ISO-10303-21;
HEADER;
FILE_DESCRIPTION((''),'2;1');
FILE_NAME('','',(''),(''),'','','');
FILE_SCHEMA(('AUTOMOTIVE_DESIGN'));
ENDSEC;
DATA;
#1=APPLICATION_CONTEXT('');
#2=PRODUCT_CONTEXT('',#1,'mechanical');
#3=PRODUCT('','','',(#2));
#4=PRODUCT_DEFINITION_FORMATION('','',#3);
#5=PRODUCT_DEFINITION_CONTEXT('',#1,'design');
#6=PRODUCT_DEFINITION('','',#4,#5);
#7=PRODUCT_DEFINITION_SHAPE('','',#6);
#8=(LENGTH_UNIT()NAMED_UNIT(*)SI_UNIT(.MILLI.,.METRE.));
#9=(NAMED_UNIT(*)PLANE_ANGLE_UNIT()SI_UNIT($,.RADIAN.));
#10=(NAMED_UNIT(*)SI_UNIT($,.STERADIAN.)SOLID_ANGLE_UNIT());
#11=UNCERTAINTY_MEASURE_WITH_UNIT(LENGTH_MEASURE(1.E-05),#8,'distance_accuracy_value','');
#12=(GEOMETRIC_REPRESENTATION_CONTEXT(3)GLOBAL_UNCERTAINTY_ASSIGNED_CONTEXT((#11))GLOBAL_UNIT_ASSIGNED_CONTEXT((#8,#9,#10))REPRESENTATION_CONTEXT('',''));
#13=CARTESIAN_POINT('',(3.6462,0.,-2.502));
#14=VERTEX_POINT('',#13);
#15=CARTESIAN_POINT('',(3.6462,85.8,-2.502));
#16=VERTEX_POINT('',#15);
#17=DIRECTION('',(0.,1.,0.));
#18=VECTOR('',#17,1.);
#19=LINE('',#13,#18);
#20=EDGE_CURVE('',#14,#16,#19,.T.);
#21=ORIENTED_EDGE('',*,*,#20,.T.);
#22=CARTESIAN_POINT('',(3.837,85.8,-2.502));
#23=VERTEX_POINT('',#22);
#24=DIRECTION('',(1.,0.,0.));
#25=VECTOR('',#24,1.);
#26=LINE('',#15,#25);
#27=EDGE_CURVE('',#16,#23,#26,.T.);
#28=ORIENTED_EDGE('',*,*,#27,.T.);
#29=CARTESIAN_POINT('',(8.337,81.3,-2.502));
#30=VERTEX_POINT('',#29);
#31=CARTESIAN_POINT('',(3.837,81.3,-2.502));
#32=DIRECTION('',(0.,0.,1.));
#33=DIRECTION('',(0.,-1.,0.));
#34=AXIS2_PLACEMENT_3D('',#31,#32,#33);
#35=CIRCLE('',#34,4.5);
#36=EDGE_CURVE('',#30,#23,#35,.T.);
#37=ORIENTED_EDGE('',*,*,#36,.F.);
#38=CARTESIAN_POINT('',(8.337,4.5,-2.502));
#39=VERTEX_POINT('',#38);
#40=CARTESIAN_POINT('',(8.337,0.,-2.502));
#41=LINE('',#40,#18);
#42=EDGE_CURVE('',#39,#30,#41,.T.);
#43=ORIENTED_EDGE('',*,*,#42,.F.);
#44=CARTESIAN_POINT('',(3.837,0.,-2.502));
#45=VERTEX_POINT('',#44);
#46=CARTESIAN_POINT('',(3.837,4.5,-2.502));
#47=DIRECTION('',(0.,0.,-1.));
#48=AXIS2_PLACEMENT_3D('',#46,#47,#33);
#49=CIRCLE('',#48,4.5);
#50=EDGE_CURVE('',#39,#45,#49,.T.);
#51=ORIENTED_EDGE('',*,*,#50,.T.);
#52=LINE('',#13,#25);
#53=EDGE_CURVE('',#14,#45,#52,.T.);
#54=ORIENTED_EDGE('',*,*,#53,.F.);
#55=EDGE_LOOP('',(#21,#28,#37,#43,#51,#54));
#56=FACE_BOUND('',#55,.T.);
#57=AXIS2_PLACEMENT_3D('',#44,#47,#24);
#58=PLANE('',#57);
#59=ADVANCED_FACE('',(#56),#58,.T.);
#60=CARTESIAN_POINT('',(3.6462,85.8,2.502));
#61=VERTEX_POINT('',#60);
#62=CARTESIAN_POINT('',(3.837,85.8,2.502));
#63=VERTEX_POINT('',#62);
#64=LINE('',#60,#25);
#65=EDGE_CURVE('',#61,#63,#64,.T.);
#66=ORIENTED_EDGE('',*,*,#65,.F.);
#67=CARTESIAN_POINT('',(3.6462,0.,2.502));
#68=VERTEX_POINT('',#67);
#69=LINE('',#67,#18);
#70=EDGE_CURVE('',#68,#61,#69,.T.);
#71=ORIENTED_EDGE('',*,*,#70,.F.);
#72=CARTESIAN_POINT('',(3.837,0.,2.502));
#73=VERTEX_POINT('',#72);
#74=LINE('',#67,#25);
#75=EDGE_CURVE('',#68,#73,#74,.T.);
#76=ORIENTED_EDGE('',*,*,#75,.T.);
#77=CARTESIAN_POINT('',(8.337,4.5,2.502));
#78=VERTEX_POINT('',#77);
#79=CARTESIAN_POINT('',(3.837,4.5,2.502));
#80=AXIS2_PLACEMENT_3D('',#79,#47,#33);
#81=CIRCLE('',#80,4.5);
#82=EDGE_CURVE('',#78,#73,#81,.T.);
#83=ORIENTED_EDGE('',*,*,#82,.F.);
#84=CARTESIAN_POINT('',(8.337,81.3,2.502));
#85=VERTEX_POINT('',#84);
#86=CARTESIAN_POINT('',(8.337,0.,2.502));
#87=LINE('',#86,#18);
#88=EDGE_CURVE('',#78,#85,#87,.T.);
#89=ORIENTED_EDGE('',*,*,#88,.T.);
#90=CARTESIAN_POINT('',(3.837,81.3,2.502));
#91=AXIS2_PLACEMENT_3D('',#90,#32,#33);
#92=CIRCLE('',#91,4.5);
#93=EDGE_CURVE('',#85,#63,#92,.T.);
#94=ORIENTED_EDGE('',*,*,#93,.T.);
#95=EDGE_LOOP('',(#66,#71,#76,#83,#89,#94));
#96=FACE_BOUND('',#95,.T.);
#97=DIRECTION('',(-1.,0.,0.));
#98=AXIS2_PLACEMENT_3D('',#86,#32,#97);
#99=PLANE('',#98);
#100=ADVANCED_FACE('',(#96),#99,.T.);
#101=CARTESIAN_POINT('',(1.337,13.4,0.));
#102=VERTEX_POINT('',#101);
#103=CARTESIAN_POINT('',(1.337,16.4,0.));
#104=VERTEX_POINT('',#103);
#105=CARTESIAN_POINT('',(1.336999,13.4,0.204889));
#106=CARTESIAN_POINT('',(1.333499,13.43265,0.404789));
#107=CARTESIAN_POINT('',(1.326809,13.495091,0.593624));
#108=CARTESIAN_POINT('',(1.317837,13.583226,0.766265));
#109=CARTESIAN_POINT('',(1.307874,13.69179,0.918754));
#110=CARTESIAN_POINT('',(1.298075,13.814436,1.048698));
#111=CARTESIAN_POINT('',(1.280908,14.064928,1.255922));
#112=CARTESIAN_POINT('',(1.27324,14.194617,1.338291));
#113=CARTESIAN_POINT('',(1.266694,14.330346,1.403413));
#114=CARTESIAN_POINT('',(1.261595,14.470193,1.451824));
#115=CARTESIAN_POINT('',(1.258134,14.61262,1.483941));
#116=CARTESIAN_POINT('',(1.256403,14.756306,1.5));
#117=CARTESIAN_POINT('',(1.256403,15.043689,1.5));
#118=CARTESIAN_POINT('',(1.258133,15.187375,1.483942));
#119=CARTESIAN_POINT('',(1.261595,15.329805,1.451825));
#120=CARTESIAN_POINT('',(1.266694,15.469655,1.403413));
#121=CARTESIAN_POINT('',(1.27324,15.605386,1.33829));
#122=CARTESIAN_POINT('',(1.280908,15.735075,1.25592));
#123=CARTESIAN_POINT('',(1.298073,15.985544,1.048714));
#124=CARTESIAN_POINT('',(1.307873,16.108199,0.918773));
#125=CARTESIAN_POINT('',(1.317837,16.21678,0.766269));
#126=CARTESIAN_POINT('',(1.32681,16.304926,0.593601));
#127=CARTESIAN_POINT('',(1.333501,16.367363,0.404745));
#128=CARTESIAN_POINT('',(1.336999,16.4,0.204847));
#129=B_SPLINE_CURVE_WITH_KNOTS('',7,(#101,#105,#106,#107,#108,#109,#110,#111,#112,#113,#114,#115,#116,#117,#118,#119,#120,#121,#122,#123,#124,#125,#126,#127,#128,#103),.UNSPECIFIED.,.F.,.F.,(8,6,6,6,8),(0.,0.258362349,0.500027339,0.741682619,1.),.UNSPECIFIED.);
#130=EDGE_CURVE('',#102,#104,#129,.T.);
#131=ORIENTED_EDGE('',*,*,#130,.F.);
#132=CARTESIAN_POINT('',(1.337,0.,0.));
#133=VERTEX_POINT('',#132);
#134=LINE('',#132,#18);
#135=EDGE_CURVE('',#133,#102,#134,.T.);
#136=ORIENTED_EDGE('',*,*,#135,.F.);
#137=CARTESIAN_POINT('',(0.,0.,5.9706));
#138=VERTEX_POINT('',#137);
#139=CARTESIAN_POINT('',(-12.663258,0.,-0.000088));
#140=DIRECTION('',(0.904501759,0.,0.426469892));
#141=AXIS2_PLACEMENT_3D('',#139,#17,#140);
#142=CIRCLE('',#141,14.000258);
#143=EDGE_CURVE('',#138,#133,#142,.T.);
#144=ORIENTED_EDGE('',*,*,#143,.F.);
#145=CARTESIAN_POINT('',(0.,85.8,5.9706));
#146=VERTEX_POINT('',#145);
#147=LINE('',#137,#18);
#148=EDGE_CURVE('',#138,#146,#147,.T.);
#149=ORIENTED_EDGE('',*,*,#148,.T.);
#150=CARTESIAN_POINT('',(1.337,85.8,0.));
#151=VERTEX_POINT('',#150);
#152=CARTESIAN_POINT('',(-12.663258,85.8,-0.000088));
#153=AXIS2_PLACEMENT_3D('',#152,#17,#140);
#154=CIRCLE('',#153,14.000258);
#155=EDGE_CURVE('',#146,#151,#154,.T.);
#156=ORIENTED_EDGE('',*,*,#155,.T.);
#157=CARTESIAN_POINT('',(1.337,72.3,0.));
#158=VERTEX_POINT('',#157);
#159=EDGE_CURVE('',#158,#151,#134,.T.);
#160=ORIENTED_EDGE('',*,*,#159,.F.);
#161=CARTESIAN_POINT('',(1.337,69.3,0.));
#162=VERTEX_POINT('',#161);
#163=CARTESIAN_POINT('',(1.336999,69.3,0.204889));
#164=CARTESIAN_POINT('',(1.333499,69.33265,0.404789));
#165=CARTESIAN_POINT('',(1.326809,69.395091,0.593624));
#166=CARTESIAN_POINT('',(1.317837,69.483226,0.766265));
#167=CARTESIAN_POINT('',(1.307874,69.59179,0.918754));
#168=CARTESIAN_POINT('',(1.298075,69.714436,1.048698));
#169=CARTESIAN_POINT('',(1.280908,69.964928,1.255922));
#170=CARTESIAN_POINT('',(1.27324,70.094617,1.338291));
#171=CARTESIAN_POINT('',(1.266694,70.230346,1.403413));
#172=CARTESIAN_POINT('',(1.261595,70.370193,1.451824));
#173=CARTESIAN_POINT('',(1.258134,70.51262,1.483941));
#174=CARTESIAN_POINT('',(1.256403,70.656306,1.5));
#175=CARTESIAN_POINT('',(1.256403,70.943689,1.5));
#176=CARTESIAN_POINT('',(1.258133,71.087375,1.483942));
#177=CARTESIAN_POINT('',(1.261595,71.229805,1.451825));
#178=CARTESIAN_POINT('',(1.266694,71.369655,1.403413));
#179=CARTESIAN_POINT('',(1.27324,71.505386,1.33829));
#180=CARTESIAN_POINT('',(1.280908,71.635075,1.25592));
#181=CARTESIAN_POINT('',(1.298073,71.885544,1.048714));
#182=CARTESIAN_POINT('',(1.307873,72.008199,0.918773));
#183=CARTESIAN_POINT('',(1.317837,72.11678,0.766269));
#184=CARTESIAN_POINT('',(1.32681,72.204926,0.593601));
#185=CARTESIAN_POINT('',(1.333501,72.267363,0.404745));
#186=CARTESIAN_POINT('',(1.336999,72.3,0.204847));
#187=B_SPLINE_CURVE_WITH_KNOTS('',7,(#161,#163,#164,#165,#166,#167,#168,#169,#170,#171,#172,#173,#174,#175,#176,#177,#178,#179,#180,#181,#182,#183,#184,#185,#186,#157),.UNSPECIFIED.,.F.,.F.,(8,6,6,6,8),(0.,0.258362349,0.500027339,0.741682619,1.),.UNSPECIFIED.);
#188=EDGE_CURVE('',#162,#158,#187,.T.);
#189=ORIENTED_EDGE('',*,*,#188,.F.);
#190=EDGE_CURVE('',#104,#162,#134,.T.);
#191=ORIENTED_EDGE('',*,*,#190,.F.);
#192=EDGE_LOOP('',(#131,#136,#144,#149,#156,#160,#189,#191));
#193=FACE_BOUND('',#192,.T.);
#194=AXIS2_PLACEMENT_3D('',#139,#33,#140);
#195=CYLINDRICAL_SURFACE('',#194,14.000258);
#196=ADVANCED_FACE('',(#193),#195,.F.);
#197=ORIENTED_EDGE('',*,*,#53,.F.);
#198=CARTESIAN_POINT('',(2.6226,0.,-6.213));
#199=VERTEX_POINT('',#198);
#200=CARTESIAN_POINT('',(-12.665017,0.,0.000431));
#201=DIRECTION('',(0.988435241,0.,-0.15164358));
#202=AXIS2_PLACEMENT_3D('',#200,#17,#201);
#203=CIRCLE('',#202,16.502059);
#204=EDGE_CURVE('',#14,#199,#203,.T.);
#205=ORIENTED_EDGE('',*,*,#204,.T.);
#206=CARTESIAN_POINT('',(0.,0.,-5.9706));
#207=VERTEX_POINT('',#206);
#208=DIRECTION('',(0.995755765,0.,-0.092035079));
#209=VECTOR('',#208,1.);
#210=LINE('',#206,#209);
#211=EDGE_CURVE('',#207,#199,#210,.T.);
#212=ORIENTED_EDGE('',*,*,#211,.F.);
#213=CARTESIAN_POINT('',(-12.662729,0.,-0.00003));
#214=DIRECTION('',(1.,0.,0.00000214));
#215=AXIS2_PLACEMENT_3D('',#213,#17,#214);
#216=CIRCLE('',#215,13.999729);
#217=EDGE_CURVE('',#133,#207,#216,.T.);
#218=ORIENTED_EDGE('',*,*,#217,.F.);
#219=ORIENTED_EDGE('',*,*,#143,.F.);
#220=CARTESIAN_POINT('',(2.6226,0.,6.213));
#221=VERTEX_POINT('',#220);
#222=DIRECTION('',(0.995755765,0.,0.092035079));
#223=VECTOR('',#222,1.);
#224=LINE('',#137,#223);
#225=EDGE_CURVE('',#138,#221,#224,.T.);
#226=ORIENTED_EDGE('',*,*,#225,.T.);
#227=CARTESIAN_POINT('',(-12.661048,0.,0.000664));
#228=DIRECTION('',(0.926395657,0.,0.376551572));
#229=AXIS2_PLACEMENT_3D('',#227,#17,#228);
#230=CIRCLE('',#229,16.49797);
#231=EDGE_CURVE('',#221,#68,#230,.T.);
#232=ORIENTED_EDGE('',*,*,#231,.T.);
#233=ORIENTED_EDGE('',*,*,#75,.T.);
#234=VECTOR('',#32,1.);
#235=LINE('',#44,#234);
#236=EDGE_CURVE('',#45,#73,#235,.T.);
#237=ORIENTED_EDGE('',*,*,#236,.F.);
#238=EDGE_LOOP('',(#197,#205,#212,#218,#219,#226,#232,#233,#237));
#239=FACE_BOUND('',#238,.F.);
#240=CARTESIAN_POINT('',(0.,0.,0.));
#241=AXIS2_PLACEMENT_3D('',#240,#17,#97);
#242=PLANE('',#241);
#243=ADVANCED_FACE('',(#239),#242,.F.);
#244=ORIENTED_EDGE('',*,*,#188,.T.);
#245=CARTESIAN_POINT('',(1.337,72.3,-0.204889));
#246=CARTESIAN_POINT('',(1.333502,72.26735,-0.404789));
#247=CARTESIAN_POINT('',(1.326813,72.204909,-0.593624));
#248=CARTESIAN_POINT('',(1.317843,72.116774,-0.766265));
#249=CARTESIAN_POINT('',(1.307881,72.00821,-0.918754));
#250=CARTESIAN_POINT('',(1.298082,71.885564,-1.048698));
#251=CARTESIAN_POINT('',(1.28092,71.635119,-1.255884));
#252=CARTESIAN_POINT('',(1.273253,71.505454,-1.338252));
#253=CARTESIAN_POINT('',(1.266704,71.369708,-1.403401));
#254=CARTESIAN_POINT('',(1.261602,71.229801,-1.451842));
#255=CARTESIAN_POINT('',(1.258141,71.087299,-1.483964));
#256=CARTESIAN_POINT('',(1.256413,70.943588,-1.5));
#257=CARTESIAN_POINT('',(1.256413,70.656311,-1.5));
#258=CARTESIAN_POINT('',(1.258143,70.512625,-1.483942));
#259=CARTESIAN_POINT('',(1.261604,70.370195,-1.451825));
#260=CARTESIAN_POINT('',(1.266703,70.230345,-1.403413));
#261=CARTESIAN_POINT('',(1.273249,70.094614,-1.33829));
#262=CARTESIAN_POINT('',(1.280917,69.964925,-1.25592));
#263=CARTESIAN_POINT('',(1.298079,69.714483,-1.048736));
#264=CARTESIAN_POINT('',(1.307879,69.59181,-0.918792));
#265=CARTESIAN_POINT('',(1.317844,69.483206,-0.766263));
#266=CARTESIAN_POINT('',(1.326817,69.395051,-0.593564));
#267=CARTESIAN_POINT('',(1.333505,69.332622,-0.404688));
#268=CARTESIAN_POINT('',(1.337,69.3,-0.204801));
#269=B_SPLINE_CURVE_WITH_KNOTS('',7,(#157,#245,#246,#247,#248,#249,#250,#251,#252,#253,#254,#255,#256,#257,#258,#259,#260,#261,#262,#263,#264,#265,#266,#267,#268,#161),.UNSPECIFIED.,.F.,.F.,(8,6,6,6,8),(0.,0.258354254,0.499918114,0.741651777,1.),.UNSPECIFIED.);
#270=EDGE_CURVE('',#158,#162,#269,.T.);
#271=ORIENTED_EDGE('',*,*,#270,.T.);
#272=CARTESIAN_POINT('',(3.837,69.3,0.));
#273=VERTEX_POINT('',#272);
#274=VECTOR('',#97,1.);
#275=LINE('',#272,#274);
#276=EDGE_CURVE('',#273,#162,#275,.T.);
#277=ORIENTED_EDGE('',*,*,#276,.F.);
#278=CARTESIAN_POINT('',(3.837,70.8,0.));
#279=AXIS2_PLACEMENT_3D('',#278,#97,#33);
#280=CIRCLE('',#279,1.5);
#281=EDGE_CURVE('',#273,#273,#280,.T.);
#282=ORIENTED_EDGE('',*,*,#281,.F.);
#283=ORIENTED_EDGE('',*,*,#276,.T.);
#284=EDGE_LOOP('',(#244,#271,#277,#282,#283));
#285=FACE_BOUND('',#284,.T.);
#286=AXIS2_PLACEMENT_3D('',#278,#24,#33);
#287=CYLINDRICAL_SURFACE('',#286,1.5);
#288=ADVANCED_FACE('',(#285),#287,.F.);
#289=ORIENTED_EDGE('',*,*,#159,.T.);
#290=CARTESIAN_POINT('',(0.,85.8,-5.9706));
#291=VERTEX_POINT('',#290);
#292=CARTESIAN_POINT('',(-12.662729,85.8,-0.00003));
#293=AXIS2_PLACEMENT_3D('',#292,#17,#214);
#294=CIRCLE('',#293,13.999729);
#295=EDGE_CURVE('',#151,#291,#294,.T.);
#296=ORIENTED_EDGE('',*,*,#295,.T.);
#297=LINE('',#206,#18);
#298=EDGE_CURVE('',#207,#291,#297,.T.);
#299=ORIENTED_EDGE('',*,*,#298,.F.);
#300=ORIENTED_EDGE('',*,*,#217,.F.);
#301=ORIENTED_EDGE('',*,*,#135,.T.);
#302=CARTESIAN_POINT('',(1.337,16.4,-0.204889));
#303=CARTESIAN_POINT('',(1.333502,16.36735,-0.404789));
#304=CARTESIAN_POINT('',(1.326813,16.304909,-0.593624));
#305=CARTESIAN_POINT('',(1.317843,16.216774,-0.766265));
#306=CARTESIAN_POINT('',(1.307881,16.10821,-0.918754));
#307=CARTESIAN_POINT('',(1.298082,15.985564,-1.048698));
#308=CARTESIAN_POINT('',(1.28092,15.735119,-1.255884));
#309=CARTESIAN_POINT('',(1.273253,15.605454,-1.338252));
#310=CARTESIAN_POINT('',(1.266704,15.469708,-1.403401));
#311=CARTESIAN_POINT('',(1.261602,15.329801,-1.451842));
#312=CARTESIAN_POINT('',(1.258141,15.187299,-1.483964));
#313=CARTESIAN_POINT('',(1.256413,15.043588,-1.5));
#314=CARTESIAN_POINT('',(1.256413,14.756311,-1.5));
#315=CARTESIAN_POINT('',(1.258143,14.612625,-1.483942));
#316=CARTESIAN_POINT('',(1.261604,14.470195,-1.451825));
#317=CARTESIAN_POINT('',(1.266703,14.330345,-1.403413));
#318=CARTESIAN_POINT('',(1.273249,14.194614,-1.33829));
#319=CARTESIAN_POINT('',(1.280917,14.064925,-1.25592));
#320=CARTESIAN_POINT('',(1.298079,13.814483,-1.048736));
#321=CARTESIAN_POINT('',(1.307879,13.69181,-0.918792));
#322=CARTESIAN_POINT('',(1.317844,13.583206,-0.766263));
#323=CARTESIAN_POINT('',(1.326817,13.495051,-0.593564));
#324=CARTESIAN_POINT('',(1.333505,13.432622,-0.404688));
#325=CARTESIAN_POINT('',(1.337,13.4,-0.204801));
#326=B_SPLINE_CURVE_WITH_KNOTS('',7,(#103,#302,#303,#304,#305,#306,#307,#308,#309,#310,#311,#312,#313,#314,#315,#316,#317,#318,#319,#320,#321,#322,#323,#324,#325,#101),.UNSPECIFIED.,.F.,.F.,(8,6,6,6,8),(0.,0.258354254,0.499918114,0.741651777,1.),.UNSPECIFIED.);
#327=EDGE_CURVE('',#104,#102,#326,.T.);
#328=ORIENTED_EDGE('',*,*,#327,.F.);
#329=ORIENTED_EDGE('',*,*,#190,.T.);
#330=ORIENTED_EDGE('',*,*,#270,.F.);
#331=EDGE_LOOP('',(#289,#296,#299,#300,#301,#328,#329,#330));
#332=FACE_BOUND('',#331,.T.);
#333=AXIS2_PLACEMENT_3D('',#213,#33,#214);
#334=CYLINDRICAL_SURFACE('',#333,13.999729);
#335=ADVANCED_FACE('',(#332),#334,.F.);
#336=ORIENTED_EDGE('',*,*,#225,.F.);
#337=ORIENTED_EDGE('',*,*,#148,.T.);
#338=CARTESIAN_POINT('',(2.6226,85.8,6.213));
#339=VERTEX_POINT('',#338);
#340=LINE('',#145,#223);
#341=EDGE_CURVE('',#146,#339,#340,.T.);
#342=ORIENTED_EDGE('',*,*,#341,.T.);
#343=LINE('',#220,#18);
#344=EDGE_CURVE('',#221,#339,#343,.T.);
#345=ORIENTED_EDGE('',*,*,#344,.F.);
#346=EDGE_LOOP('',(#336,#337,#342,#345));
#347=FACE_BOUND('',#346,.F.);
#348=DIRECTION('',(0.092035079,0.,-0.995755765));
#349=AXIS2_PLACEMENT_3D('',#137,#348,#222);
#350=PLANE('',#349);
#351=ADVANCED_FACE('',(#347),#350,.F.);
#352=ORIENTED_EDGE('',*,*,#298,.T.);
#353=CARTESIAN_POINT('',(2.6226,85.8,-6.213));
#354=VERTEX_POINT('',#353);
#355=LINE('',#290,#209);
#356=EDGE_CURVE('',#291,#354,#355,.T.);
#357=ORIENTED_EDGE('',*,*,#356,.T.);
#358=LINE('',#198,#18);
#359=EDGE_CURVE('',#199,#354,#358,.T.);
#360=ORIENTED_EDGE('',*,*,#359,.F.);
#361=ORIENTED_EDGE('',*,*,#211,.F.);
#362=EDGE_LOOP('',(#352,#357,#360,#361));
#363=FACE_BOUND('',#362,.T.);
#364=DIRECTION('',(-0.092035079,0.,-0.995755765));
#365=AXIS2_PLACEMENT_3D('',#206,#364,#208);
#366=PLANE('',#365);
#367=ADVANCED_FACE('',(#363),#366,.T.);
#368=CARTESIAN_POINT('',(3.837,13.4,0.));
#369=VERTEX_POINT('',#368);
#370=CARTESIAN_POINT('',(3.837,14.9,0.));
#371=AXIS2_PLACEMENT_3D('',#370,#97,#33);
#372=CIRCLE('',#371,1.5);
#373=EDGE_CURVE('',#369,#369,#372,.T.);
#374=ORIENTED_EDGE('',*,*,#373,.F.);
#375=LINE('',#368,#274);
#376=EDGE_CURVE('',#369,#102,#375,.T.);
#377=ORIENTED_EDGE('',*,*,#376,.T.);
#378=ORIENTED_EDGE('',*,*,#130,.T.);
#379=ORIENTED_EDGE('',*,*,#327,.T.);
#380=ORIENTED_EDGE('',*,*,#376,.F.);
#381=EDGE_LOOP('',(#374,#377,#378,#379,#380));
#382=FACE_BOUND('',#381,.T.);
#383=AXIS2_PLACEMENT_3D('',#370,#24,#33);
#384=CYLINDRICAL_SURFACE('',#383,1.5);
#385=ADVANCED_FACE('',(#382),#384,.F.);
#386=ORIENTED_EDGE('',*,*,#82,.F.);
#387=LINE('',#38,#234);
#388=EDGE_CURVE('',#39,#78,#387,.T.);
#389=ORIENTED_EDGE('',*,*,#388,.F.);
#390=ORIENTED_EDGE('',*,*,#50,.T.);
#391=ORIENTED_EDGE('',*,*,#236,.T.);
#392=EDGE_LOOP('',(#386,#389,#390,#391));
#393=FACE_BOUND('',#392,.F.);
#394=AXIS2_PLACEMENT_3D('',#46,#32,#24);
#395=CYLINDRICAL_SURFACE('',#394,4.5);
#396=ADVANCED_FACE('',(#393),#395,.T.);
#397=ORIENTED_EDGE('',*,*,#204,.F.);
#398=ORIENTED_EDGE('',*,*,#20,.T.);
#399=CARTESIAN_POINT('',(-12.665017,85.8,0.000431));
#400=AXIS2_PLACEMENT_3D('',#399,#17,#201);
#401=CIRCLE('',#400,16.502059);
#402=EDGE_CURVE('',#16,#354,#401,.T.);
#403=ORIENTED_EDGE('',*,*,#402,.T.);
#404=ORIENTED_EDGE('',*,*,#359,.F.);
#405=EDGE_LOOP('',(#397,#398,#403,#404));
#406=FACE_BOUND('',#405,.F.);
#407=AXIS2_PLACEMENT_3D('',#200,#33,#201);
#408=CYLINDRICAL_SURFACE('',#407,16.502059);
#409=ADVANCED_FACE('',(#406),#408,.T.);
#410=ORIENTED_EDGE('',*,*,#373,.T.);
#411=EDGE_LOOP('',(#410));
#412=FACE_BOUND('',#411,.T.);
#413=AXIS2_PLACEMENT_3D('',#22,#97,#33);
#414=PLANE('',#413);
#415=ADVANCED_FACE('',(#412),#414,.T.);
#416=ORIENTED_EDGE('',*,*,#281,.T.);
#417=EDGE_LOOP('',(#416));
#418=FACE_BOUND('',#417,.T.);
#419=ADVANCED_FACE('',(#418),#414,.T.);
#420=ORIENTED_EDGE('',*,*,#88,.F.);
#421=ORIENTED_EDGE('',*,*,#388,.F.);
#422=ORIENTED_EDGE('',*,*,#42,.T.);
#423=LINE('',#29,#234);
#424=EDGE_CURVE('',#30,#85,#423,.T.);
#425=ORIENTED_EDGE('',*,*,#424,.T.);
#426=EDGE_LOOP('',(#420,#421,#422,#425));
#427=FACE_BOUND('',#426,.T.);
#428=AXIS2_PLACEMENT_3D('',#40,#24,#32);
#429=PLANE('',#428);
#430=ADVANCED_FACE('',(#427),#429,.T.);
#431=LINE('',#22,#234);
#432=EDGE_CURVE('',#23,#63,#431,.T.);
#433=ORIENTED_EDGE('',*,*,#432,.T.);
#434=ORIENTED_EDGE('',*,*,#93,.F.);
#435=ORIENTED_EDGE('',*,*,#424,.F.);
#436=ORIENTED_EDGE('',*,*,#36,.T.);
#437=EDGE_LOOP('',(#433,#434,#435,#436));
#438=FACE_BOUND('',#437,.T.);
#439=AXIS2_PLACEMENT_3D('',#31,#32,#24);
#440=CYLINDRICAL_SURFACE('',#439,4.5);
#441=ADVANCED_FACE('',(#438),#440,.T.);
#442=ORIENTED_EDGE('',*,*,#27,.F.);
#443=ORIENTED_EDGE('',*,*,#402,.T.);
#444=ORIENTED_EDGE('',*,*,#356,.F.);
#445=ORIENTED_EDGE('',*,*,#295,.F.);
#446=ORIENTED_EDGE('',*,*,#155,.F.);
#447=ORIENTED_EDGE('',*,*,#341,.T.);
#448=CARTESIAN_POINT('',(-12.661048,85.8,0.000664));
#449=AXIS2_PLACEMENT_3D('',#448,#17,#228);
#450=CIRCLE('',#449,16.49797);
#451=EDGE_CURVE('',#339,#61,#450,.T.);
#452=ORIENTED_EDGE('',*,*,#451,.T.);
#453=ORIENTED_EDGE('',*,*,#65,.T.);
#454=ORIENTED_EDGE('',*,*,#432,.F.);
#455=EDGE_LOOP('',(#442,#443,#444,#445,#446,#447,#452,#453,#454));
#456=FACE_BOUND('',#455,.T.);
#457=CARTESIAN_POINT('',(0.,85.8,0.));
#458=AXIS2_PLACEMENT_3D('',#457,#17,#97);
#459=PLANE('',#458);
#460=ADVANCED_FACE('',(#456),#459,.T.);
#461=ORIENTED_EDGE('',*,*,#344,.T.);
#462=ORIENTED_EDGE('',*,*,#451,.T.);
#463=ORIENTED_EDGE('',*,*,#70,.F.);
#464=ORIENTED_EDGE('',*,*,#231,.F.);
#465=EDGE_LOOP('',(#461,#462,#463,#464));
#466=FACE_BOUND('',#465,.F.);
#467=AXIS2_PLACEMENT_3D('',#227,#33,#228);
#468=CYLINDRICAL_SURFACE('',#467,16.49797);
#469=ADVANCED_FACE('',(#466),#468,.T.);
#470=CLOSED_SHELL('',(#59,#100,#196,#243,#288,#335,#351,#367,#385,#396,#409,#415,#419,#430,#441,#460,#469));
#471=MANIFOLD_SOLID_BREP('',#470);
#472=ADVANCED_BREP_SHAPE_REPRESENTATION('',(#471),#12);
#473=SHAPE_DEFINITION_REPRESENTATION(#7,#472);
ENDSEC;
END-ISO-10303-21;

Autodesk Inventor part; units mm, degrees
ref_plane "YZ Plane" through (0, 0, 0) normal (1, 0, 0) x (0, 1, 0)
ref_plane "XZ Plane" through (0, 0, 0) normal (0, 1, 0) x (-1, 0, 0)
sketch "Sketch1" plane through (0, 0, 0) normal (0, 1, 0) x (-1, 0, 0)
  arc A0 (-1.337, 0) -> (0, -5.9706) centre (12.663, 0) ccw
  line L0 (-1.337, 0) -> (0, 0)
  line L1 (0, -5.9706) -> (-2.6226, -6.213)
  line L2 (0, -5.9706) -> (5.1195, -5.9706) construction
  line L3 (0, 5.9706) -> (-2.6226, 6.213)
  line L4 (0, 5.9706) -> (2.6337, 5.9706) construction
  arc A1 (0, 5.9706) -> (-1.337, 0) centre (12.663, 0) ccw
  line L5 (-3.6462, -2.502) -> (-3.837, -2.502)
  line L6 (-3.6462, 2.502) -> (-3.837, 2.502)
  line L7 (-3.837, -2.502) -> (-8.337, -2.502)
  line L8 (-8.337, -2.502) -> (-8.337, 2.502)
  line L9 (-8.337, 2.502) -> (-3.837, 2.502)
  arc A2 (-2.6226, 6.213) -> (-3.6462, 2.502) centre (12.663, 0) ccw
  arc A3 (-3.6462, -2.502) -> (-2.6226, -6.213) centre (12.663, 0) ccw
  dimension "d2" = 174.72
  dimension "d3" = 174.72
  dimension "d7" = 4.5
extrude "Extrusion1" add sketch "Sketch1" along normal blind 85.8
fillet "Fillet1" radius 4.5 2 edges at (8.337, 85.8, 0) (8.337, 0, 0)
ref_plane "Work Plane1" through (3.837, 85.8, -2.502) normal (-1, 0, 0) x (0, -1, 0)
sketch "Sketch2" plane through (3.837, 85.8, -2.502) normal (-1, 0, 0) x (0, -1, 0)
  line L0 (0, 0) -> (0, 5.004) projected
  line L1 (0, 2.502) -> (15, 2.502) construction
  line L2 (85.8, 5.004) -> (85.8, 0) projected
  line L3 (85.8, 2.502) -> (70.8, 2.502) construction
  circle A0 centre (15, 2.502) radius 1.5
  line L4 (70.8, 2.502) -> (70.9, 2.502) construction
  circle A1 centre (70.9, 2.502) radius 1.5
  line L5 (70.9, 2.502) -> (71.1, 2.502) construction
  line L6 (71.1, 2.502) -> (71.1, 4.6181) construction
  dimension "d11" = 15
  dimension "d13" = 3
  dimension "d23" = 0.2
extrude "Extrusion2" cut sketch "Sketch2" along normal blind 7 contours A0
extrude "Extrusion3" cut sketch "Sketch2" along normal up to surface contours A1
properties part number "Grip"
